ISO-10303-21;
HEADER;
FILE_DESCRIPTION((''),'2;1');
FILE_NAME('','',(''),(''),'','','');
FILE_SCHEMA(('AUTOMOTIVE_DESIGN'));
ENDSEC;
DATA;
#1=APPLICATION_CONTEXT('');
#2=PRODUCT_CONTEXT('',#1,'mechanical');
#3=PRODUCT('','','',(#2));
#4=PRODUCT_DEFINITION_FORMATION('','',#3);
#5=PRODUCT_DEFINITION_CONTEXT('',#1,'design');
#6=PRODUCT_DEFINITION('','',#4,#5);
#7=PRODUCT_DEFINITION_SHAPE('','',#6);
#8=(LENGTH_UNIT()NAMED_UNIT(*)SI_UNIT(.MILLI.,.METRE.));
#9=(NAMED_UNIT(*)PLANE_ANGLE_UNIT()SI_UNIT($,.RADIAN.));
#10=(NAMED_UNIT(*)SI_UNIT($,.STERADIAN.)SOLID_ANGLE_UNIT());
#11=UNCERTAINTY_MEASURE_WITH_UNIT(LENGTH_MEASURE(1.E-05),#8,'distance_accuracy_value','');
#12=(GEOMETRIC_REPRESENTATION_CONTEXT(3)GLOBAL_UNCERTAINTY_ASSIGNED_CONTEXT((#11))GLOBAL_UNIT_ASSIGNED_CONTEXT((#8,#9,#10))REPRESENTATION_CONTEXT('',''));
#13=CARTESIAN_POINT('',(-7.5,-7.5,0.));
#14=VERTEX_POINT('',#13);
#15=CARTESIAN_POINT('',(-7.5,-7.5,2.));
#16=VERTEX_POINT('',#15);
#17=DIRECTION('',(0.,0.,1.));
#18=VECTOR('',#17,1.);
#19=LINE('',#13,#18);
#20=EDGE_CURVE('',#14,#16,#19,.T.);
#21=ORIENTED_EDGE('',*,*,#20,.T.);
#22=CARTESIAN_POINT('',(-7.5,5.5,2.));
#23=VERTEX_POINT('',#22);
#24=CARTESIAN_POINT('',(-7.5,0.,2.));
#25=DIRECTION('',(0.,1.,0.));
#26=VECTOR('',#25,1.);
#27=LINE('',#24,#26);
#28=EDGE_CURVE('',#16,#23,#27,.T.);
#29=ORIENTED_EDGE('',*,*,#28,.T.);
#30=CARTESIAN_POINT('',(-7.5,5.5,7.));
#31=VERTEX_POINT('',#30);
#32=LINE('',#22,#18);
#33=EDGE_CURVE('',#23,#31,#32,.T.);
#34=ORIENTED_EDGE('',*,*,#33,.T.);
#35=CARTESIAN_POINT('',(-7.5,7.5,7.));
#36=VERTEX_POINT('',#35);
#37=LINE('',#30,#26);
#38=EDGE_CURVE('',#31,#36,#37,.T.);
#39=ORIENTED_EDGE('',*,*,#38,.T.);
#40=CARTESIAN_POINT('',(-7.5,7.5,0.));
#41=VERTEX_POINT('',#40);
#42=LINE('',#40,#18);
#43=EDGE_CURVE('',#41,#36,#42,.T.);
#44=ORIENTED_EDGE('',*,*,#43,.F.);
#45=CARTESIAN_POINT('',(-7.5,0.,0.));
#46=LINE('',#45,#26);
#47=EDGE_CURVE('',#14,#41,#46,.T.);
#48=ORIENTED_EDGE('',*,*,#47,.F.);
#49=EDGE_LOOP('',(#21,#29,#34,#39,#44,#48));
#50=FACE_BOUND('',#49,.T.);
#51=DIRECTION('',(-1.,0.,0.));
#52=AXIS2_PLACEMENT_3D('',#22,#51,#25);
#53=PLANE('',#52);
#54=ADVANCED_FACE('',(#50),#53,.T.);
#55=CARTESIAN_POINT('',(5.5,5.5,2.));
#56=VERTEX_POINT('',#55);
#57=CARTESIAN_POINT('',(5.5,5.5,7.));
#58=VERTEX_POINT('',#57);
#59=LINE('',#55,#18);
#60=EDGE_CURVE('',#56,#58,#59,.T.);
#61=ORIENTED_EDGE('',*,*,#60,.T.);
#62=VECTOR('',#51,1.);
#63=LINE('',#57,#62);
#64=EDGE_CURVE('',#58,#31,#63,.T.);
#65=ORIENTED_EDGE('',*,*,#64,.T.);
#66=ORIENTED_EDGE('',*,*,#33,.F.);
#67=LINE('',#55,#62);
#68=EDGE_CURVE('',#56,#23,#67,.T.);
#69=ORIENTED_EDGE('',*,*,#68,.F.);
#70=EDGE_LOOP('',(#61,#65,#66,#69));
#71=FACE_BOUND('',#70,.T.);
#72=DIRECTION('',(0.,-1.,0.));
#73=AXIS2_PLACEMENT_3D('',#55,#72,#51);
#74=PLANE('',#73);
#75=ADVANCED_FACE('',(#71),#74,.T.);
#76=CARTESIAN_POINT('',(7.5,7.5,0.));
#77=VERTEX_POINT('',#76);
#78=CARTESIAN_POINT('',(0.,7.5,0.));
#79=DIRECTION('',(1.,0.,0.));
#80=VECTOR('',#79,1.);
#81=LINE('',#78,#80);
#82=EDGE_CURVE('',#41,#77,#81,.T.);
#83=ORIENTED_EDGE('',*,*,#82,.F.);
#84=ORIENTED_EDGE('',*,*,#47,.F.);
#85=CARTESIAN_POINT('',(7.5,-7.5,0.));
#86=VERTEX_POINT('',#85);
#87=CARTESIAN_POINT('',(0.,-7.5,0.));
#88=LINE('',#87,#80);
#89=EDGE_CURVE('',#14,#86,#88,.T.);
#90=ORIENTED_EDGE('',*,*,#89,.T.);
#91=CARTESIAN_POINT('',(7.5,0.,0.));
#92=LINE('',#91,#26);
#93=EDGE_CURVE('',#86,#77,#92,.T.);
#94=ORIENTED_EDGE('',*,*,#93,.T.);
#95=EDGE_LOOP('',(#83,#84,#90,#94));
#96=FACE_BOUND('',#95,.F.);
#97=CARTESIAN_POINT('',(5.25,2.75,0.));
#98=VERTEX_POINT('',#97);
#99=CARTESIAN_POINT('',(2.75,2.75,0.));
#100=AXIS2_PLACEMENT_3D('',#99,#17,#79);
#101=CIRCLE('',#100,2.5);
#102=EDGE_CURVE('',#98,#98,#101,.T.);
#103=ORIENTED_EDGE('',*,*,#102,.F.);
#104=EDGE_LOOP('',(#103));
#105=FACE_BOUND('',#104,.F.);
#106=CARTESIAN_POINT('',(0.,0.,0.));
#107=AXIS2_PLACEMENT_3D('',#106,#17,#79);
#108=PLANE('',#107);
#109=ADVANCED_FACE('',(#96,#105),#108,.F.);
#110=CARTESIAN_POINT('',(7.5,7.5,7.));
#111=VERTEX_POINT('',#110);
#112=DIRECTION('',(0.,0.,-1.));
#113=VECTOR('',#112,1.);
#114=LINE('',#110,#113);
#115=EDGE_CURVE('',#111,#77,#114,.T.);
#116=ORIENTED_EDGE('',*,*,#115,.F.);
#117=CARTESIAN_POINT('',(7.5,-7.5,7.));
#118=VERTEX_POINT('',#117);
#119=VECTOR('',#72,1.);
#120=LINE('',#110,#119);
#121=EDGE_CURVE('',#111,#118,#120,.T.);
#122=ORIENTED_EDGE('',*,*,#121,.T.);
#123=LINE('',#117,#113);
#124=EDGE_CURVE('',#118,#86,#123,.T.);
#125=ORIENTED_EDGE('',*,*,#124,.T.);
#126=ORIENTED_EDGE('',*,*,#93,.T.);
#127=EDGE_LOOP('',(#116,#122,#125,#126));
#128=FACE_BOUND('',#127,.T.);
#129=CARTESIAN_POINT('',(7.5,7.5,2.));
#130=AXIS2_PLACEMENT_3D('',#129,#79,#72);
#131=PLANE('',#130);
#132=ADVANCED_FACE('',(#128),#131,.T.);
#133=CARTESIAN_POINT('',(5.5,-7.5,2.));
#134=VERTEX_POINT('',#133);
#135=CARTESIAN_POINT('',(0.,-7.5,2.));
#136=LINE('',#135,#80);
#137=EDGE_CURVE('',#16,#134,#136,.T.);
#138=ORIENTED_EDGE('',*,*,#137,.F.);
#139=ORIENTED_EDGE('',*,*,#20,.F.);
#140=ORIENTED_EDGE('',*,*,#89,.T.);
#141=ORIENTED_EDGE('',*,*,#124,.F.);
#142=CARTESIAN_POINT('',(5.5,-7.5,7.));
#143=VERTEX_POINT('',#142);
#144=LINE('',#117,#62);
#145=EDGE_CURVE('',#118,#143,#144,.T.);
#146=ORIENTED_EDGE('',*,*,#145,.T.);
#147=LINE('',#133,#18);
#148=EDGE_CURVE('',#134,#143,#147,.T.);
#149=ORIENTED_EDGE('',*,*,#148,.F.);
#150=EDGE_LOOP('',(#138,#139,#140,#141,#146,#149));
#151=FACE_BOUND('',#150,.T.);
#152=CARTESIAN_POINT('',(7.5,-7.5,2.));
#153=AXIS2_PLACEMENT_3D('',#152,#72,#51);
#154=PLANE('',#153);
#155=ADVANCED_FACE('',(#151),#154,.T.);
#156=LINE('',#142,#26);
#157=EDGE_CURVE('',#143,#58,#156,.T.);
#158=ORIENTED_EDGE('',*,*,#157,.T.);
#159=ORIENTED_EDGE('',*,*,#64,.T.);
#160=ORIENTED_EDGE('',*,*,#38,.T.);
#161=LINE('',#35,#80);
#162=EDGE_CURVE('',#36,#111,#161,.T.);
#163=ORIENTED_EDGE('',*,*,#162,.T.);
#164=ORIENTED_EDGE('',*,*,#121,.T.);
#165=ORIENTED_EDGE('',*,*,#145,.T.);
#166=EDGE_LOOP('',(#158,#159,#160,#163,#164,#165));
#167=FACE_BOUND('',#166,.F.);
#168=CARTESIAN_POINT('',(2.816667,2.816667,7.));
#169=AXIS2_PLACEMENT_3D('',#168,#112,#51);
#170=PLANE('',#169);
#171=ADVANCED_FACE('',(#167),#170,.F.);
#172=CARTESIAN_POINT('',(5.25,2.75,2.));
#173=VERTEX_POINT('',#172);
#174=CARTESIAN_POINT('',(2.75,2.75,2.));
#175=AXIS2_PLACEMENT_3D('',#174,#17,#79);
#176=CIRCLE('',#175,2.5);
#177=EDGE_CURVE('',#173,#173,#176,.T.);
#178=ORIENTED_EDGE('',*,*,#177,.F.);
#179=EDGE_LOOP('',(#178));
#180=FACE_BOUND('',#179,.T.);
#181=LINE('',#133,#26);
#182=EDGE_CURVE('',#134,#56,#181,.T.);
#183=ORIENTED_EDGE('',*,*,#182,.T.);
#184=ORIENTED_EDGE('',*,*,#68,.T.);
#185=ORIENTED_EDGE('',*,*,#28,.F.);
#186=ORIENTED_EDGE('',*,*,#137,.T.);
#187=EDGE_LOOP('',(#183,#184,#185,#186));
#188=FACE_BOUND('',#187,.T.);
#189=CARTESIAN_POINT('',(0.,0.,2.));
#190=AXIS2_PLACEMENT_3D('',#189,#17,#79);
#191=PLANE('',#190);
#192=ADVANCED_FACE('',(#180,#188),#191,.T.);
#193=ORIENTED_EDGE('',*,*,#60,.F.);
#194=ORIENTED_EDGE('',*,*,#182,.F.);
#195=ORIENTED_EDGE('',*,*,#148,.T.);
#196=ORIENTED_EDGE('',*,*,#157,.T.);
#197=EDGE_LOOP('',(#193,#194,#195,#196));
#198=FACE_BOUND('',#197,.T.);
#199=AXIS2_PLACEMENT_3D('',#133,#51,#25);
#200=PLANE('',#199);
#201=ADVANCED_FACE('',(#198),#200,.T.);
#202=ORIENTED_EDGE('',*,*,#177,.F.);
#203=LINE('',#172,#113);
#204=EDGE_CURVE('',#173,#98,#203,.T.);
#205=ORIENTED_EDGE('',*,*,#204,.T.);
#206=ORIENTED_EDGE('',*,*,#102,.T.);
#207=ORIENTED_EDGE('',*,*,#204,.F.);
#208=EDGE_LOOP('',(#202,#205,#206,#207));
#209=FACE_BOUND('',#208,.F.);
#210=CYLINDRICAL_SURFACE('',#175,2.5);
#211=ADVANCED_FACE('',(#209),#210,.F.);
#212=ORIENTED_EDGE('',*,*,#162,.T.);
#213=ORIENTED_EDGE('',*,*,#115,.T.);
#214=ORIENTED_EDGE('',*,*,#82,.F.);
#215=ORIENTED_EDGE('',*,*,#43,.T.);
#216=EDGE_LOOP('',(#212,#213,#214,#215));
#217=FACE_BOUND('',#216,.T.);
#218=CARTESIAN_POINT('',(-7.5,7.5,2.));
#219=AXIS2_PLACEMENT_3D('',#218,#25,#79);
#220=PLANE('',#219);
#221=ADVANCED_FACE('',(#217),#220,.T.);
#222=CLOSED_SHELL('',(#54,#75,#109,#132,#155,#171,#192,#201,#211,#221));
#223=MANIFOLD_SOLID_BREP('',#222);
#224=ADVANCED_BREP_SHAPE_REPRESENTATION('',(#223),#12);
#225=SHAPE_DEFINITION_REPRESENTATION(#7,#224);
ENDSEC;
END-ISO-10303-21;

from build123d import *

# Parameters (mm, degrees)
SKETCH_W     = 15
SKETCH_H     = 15
PAD_DEPTH    = 2
PAD001_DEPTH = 5
SKETCH002_R  = 2.5
POCKET_DEPTH = 5


with BuildPart() as part:
    # Sketch → Pad (new body)
    with BuildSketch(Plane.XY):
        Rectangle(SKETCH_W, SKETCH_H)
    extrude(amount=PAD_DEPTH)

    # Sketch001 (on Face6 of Pad) → Pad001 (join)
    with BuildSketch(Plane.XY.offset(2)):
        Polygon((-7.5, 7.5), (7.5, 7.5), (7.5, -7.5), (5.5, -7.5), (5.5, 5.5), (-7.5, 5.5), align=None)
    extrude(amount=PAD001_DEPTH)

    # Sketch002 (on Face3 of Pad001) → Pocket (cut)
    with BuildSketch(Plane.XY.offset(2)):
        with Locations((2.75, 2.75)):
            Circle(SKETCH002_R)
    extrude(amount=-POCKET_DEPTH, mode=Mode.SUBTRACT)


solid = part.part
